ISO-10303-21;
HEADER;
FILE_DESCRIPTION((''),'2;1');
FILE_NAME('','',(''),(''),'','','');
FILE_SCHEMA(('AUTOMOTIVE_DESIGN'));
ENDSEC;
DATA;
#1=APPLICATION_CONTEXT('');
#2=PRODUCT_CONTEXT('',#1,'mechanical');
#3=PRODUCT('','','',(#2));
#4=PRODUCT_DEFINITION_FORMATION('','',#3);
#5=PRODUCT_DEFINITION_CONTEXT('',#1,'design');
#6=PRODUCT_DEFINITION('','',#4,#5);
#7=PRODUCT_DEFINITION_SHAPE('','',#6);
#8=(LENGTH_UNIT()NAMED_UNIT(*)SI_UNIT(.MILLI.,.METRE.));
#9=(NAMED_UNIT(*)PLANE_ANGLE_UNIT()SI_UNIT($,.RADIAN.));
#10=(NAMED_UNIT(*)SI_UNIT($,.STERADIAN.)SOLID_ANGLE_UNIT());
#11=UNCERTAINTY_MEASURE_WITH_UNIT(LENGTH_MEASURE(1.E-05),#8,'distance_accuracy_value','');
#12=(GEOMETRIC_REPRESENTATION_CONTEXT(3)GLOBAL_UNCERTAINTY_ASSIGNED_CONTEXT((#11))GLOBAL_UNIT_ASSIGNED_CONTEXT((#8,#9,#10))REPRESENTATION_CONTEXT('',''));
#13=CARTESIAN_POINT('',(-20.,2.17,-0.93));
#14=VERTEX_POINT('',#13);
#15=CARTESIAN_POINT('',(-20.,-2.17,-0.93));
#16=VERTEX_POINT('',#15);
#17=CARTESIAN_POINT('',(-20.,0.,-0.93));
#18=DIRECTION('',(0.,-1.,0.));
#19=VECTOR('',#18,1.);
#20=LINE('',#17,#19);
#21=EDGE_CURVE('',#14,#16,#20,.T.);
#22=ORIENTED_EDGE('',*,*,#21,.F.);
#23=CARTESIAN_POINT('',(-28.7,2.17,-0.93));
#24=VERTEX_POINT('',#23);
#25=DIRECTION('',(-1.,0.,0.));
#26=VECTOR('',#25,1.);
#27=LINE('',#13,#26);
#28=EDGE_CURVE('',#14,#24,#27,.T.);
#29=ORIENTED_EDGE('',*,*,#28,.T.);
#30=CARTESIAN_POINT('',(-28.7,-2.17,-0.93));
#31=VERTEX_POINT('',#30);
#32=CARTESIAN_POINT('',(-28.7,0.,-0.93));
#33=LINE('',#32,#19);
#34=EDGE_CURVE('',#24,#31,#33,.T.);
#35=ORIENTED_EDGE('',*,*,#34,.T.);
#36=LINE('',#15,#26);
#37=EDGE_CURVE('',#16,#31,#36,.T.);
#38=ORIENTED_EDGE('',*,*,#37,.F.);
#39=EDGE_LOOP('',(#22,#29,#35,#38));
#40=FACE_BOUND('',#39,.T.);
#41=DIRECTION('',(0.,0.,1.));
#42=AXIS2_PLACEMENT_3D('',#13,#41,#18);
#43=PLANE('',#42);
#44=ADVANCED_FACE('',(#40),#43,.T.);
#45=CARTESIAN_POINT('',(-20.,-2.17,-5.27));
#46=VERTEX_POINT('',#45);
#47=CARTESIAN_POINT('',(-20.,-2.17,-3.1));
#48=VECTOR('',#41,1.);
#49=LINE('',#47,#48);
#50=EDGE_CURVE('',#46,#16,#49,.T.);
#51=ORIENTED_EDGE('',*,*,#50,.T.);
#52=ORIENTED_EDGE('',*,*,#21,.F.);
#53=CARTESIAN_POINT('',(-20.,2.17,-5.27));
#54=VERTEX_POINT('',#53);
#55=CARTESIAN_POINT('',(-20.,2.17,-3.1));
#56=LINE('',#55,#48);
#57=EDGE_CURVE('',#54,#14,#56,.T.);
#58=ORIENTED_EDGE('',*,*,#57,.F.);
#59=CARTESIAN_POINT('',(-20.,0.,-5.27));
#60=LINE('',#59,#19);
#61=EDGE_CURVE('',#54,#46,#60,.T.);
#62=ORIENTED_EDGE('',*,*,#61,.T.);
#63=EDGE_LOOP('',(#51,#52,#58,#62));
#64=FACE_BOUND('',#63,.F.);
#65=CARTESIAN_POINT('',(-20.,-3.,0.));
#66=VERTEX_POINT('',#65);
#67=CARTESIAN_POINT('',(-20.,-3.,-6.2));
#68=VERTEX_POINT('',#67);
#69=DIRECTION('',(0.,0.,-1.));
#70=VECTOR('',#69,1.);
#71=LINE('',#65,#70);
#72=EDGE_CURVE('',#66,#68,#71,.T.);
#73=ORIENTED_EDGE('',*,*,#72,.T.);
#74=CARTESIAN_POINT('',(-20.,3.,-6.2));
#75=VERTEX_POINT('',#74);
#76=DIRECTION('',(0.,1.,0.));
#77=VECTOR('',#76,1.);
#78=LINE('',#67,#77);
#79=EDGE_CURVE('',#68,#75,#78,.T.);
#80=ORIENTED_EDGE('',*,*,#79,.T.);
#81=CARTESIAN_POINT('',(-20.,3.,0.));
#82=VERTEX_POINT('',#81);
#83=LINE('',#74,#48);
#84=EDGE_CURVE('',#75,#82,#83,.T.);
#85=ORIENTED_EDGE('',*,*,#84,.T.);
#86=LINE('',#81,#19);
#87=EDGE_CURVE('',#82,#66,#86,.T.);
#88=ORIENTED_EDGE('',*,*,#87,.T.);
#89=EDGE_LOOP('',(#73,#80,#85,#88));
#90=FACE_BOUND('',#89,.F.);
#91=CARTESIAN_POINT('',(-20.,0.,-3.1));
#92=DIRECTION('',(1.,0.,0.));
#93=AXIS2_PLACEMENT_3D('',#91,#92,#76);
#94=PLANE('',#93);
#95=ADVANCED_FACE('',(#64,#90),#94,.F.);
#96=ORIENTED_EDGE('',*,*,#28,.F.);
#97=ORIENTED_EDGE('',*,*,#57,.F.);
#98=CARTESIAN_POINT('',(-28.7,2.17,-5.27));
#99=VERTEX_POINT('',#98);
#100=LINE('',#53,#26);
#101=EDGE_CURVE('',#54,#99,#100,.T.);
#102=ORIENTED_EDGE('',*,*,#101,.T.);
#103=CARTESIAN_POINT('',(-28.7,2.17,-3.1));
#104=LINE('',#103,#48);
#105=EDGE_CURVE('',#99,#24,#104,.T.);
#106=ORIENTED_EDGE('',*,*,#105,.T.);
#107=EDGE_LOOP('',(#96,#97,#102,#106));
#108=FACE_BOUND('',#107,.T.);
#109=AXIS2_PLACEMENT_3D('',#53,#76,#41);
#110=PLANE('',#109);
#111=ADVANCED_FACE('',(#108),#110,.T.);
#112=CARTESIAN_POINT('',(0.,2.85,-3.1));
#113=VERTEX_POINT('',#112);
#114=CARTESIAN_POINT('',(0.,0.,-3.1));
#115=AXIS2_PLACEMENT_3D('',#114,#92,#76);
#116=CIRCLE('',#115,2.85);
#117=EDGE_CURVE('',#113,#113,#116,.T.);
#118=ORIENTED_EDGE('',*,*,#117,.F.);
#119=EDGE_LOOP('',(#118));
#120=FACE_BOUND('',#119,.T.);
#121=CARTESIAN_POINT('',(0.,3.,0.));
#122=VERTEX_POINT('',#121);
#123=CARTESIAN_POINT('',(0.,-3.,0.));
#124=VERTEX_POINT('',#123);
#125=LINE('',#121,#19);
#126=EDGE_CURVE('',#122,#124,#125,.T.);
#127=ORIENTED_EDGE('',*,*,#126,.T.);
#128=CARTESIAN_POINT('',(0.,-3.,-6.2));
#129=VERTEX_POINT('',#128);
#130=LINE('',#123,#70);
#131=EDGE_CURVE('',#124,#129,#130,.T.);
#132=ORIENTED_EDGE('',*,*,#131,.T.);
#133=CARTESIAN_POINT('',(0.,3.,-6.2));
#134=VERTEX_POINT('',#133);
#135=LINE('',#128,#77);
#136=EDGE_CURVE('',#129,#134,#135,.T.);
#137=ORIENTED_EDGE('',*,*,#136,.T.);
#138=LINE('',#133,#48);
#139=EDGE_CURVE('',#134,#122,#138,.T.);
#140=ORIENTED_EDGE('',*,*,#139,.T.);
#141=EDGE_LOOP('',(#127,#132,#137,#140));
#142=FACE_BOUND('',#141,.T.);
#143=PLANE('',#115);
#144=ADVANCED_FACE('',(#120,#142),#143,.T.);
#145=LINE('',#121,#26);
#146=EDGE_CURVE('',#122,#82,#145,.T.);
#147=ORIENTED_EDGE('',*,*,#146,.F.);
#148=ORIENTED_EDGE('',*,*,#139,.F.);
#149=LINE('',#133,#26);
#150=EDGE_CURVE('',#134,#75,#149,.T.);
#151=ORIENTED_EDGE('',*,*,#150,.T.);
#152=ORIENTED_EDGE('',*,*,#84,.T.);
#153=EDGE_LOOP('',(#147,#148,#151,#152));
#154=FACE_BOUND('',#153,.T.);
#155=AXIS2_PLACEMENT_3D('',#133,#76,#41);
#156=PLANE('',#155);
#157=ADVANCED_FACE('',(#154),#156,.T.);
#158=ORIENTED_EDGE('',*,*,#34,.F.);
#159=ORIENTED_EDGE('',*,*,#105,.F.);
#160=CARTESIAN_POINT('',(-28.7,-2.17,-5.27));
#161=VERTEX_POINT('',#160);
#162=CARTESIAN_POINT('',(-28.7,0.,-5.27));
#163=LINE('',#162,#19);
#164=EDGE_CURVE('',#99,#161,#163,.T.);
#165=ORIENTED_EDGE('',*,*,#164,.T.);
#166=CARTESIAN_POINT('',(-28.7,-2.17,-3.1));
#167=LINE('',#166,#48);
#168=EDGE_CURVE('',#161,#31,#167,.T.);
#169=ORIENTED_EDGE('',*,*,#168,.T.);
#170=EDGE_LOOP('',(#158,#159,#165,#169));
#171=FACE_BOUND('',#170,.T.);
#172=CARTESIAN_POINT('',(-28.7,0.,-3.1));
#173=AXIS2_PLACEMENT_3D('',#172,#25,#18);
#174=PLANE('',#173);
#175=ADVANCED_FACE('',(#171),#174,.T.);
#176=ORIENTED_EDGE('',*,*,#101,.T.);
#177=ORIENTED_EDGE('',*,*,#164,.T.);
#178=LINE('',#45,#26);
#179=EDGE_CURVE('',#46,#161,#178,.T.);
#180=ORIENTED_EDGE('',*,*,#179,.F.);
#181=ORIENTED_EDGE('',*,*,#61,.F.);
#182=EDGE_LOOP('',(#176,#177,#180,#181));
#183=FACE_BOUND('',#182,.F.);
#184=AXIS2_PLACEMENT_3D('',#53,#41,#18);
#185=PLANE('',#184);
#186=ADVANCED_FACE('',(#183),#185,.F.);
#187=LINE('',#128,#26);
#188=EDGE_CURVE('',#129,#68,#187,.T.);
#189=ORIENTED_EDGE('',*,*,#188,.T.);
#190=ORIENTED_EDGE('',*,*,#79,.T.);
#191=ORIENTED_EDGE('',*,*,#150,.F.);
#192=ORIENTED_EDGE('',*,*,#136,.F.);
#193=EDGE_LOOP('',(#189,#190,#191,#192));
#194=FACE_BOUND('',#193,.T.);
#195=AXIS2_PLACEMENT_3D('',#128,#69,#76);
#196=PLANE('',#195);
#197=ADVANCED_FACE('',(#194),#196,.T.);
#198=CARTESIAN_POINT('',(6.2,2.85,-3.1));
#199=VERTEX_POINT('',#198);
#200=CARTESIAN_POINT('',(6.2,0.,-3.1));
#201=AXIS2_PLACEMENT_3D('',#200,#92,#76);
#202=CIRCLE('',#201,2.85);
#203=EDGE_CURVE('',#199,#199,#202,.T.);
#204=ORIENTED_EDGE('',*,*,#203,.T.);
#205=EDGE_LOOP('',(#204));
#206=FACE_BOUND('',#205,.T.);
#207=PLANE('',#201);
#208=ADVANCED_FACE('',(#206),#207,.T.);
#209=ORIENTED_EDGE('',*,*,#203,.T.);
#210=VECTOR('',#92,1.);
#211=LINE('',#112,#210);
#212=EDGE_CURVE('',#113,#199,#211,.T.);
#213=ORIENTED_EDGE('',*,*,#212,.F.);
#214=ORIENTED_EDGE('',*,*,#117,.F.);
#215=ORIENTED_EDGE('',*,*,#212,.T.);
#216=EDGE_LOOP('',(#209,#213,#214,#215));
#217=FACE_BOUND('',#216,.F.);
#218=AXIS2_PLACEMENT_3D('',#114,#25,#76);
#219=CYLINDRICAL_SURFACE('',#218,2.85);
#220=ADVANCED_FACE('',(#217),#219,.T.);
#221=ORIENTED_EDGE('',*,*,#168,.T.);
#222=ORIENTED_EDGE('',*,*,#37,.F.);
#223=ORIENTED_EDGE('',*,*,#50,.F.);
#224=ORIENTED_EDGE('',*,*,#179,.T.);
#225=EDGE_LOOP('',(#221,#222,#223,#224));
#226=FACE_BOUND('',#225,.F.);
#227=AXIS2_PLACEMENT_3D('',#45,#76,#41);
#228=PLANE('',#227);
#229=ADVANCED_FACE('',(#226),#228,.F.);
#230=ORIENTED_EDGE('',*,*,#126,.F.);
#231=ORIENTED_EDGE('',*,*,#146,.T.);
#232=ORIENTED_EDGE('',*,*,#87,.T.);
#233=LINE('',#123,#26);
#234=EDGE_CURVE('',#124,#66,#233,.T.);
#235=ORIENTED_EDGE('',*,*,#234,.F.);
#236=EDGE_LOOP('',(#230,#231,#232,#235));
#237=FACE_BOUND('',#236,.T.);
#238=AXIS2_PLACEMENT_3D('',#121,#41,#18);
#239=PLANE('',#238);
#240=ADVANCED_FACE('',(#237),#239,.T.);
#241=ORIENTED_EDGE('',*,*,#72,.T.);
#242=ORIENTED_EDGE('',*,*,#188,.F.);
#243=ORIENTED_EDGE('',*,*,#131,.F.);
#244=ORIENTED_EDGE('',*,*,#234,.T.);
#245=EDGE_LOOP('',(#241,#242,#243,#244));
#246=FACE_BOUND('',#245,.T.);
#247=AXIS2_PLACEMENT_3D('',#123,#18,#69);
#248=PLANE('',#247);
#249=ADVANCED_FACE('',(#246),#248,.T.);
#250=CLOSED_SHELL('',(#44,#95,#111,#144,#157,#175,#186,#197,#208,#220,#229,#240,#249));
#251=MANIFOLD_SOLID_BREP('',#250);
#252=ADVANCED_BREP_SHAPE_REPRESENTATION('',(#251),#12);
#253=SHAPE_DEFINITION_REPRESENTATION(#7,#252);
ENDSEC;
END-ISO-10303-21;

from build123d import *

# Parameters (mm, degrees)
F1_DEPTH = 20
F2_R     = 2.85
F3_DEPTH = 6.2
F4_W     = 4.34
F4_H     = 4.34
F5_DEPTH = 8.7


with BuildPart() as f1:
    # F0 (on Right) → F1 (new body)
    with BuildSketch(Plane.YZ):
        Polygon((-3, 0), (-3, -6.2), (3, -6.2), (3, 0), (1.85, 0), (-1.85, 0), align=None)
    extrude(amount=-F1_DEPTH)

    # F2 (on face) → F3 (join)
    with BuildSketch(Plane.YZ):
        with Locations((0, -3.1)):
            Circle(F2_R)
    extrude(amount=F3_DEPTH)

    # F4 (on face) → F5 (join)
    with BuildSketch(Plane(origin=(-20, 0, 0), x_dir=(0, -1, 0), z_dir=(-1, 0, 0))):
        with Locations((0, -3.1)):
            Rectangle(F4_W, F4_H)
    extrude(amount=F5_DEPTH)


solid = f1.part
